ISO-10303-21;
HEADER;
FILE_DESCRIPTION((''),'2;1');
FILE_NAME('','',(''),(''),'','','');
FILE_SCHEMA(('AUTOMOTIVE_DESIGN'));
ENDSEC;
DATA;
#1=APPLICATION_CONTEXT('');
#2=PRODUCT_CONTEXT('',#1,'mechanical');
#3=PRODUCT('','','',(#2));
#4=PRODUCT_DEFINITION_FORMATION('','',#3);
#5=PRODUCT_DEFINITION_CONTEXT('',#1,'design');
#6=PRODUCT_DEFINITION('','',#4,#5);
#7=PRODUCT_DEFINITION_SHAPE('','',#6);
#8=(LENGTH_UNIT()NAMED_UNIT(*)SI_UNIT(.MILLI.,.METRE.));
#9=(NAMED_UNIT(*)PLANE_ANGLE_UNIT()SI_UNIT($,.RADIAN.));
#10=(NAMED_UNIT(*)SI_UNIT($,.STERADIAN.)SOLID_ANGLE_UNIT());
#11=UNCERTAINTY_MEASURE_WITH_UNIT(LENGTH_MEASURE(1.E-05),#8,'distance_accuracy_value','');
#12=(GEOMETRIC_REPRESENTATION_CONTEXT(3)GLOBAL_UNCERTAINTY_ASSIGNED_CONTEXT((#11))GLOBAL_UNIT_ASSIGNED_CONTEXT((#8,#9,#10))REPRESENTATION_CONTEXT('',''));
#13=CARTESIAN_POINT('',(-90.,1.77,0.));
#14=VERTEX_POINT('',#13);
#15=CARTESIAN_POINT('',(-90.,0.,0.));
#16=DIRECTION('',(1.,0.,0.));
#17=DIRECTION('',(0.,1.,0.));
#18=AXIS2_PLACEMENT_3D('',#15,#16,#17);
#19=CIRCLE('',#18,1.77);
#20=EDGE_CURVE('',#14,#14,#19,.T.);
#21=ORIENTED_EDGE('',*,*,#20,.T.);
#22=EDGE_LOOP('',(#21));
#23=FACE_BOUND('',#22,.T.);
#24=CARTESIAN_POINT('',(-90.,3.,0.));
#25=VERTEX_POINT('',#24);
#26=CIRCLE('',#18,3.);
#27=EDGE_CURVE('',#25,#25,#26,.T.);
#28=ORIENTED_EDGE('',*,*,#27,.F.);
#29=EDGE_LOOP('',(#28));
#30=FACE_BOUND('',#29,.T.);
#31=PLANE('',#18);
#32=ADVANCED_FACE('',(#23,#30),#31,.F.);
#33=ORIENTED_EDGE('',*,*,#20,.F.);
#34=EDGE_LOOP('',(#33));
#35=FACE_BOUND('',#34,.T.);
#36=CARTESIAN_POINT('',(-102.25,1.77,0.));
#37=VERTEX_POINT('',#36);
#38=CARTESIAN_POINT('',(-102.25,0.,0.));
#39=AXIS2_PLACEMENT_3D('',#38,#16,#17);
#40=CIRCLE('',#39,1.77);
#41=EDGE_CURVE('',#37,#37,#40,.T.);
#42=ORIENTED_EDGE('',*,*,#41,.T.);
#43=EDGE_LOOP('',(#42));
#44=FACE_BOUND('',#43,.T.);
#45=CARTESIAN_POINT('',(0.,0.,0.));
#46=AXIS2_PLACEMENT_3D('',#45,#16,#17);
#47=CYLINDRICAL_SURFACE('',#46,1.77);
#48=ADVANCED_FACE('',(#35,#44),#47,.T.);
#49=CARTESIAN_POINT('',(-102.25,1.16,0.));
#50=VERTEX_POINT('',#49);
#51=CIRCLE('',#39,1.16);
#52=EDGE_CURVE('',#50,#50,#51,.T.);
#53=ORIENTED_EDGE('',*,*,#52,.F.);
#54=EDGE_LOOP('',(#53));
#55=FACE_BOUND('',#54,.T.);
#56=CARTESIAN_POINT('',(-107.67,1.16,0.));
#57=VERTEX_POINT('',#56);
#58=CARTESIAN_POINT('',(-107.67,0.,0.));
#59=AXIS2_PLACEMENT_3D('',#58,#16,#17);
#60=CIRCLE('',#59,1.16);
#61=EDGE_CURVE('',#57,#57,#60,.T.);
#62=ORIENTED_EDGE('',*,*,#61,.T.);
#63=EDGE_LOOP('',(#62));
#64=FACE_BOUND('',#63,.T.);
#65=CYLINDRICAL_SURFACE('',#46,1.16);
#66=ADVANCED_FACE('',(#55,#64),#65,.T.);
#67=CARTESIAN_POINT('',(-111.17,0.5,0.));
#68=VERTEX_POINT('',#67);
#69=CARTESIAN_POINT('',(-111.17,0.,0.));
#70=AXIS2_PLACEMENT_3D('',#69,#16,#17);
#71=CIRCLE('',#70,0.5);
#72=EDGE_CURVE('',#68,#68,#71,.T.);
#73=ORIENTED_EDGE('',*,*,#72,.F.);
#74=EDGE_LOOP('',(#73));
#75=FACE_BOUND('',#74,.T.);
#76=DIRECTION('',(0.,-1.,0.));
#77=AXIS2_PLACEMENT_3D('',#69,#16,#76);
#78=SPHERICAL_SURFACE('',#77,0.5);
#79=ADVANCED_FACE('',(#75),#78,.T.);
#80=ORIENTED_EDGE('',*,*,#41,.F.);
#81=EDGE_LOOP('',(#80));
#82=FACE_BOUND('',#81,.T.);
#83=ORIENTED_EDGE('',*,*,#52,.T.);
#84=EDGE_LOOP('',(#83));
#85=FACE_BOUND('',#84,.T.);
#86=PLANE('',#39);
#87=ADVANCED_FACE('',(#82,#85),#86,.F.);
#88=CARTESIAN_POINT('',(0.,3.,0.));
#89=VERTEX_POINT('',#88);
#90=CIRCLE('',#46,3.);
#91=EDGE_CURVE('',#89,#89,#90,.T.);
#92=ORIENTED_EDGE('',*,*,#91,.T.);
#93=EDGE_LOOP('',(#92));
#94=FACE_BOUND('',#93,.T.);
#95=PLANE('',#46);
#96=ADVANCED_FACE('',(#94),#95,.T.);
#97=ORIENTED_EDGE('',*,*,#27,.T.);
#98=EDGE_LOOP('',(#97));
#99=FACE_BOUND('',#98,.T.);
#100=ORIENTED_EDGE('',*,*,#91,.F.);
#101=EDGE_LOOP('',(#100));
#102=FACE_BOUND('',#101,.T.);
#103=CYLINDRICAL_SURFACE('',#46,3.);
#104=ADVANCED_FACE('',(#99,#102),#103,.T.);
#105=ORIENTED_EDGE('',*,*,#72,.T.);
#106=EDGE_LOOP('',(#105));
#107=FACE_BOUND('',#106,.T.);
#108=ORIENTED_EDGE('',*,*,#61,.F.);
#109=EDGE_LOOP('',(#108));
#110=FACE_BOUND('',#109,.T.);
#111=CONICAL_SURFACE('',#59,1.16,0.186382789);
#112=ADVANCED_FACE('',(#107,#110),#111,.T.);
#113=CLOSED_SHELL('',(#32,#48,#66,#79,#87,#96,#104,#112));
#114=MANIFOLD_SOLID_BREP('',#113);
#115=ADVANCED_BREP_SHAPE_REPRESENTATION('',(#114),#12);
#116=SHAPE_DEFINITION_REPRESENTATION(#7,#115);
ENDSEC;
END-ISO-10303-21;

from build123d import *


with BuildPart() as part:
    # Sketch1 → Revolve1 (revolve)
    with BuildSketch(Plane.XY):
        with BuildLine():
            Line((-90, 3), (-90, 1.77))
            Line((-90, 1.77), (-102.25, 1.77))
            Line((-102.25, 1.77), (-102.25, 1.16))
            Line((-102.25, 1.16), (-107.67, 1.16))
            Line((-107.67, 1.16), (-111.17, 0.5))
            ThreePointArc((-111.17, 0.5), (-111.523553391, 0.353553391), (-111.67, 0))
            Line((-111.67, 0), (0, 0))
            Line((0, 0), (0, 3))
            Line((0, 3), (-90, 3))
        make_face()
    revolve(axis=Axis((0, 0, 0), (-1, 0, 0)))


solid = part.part
